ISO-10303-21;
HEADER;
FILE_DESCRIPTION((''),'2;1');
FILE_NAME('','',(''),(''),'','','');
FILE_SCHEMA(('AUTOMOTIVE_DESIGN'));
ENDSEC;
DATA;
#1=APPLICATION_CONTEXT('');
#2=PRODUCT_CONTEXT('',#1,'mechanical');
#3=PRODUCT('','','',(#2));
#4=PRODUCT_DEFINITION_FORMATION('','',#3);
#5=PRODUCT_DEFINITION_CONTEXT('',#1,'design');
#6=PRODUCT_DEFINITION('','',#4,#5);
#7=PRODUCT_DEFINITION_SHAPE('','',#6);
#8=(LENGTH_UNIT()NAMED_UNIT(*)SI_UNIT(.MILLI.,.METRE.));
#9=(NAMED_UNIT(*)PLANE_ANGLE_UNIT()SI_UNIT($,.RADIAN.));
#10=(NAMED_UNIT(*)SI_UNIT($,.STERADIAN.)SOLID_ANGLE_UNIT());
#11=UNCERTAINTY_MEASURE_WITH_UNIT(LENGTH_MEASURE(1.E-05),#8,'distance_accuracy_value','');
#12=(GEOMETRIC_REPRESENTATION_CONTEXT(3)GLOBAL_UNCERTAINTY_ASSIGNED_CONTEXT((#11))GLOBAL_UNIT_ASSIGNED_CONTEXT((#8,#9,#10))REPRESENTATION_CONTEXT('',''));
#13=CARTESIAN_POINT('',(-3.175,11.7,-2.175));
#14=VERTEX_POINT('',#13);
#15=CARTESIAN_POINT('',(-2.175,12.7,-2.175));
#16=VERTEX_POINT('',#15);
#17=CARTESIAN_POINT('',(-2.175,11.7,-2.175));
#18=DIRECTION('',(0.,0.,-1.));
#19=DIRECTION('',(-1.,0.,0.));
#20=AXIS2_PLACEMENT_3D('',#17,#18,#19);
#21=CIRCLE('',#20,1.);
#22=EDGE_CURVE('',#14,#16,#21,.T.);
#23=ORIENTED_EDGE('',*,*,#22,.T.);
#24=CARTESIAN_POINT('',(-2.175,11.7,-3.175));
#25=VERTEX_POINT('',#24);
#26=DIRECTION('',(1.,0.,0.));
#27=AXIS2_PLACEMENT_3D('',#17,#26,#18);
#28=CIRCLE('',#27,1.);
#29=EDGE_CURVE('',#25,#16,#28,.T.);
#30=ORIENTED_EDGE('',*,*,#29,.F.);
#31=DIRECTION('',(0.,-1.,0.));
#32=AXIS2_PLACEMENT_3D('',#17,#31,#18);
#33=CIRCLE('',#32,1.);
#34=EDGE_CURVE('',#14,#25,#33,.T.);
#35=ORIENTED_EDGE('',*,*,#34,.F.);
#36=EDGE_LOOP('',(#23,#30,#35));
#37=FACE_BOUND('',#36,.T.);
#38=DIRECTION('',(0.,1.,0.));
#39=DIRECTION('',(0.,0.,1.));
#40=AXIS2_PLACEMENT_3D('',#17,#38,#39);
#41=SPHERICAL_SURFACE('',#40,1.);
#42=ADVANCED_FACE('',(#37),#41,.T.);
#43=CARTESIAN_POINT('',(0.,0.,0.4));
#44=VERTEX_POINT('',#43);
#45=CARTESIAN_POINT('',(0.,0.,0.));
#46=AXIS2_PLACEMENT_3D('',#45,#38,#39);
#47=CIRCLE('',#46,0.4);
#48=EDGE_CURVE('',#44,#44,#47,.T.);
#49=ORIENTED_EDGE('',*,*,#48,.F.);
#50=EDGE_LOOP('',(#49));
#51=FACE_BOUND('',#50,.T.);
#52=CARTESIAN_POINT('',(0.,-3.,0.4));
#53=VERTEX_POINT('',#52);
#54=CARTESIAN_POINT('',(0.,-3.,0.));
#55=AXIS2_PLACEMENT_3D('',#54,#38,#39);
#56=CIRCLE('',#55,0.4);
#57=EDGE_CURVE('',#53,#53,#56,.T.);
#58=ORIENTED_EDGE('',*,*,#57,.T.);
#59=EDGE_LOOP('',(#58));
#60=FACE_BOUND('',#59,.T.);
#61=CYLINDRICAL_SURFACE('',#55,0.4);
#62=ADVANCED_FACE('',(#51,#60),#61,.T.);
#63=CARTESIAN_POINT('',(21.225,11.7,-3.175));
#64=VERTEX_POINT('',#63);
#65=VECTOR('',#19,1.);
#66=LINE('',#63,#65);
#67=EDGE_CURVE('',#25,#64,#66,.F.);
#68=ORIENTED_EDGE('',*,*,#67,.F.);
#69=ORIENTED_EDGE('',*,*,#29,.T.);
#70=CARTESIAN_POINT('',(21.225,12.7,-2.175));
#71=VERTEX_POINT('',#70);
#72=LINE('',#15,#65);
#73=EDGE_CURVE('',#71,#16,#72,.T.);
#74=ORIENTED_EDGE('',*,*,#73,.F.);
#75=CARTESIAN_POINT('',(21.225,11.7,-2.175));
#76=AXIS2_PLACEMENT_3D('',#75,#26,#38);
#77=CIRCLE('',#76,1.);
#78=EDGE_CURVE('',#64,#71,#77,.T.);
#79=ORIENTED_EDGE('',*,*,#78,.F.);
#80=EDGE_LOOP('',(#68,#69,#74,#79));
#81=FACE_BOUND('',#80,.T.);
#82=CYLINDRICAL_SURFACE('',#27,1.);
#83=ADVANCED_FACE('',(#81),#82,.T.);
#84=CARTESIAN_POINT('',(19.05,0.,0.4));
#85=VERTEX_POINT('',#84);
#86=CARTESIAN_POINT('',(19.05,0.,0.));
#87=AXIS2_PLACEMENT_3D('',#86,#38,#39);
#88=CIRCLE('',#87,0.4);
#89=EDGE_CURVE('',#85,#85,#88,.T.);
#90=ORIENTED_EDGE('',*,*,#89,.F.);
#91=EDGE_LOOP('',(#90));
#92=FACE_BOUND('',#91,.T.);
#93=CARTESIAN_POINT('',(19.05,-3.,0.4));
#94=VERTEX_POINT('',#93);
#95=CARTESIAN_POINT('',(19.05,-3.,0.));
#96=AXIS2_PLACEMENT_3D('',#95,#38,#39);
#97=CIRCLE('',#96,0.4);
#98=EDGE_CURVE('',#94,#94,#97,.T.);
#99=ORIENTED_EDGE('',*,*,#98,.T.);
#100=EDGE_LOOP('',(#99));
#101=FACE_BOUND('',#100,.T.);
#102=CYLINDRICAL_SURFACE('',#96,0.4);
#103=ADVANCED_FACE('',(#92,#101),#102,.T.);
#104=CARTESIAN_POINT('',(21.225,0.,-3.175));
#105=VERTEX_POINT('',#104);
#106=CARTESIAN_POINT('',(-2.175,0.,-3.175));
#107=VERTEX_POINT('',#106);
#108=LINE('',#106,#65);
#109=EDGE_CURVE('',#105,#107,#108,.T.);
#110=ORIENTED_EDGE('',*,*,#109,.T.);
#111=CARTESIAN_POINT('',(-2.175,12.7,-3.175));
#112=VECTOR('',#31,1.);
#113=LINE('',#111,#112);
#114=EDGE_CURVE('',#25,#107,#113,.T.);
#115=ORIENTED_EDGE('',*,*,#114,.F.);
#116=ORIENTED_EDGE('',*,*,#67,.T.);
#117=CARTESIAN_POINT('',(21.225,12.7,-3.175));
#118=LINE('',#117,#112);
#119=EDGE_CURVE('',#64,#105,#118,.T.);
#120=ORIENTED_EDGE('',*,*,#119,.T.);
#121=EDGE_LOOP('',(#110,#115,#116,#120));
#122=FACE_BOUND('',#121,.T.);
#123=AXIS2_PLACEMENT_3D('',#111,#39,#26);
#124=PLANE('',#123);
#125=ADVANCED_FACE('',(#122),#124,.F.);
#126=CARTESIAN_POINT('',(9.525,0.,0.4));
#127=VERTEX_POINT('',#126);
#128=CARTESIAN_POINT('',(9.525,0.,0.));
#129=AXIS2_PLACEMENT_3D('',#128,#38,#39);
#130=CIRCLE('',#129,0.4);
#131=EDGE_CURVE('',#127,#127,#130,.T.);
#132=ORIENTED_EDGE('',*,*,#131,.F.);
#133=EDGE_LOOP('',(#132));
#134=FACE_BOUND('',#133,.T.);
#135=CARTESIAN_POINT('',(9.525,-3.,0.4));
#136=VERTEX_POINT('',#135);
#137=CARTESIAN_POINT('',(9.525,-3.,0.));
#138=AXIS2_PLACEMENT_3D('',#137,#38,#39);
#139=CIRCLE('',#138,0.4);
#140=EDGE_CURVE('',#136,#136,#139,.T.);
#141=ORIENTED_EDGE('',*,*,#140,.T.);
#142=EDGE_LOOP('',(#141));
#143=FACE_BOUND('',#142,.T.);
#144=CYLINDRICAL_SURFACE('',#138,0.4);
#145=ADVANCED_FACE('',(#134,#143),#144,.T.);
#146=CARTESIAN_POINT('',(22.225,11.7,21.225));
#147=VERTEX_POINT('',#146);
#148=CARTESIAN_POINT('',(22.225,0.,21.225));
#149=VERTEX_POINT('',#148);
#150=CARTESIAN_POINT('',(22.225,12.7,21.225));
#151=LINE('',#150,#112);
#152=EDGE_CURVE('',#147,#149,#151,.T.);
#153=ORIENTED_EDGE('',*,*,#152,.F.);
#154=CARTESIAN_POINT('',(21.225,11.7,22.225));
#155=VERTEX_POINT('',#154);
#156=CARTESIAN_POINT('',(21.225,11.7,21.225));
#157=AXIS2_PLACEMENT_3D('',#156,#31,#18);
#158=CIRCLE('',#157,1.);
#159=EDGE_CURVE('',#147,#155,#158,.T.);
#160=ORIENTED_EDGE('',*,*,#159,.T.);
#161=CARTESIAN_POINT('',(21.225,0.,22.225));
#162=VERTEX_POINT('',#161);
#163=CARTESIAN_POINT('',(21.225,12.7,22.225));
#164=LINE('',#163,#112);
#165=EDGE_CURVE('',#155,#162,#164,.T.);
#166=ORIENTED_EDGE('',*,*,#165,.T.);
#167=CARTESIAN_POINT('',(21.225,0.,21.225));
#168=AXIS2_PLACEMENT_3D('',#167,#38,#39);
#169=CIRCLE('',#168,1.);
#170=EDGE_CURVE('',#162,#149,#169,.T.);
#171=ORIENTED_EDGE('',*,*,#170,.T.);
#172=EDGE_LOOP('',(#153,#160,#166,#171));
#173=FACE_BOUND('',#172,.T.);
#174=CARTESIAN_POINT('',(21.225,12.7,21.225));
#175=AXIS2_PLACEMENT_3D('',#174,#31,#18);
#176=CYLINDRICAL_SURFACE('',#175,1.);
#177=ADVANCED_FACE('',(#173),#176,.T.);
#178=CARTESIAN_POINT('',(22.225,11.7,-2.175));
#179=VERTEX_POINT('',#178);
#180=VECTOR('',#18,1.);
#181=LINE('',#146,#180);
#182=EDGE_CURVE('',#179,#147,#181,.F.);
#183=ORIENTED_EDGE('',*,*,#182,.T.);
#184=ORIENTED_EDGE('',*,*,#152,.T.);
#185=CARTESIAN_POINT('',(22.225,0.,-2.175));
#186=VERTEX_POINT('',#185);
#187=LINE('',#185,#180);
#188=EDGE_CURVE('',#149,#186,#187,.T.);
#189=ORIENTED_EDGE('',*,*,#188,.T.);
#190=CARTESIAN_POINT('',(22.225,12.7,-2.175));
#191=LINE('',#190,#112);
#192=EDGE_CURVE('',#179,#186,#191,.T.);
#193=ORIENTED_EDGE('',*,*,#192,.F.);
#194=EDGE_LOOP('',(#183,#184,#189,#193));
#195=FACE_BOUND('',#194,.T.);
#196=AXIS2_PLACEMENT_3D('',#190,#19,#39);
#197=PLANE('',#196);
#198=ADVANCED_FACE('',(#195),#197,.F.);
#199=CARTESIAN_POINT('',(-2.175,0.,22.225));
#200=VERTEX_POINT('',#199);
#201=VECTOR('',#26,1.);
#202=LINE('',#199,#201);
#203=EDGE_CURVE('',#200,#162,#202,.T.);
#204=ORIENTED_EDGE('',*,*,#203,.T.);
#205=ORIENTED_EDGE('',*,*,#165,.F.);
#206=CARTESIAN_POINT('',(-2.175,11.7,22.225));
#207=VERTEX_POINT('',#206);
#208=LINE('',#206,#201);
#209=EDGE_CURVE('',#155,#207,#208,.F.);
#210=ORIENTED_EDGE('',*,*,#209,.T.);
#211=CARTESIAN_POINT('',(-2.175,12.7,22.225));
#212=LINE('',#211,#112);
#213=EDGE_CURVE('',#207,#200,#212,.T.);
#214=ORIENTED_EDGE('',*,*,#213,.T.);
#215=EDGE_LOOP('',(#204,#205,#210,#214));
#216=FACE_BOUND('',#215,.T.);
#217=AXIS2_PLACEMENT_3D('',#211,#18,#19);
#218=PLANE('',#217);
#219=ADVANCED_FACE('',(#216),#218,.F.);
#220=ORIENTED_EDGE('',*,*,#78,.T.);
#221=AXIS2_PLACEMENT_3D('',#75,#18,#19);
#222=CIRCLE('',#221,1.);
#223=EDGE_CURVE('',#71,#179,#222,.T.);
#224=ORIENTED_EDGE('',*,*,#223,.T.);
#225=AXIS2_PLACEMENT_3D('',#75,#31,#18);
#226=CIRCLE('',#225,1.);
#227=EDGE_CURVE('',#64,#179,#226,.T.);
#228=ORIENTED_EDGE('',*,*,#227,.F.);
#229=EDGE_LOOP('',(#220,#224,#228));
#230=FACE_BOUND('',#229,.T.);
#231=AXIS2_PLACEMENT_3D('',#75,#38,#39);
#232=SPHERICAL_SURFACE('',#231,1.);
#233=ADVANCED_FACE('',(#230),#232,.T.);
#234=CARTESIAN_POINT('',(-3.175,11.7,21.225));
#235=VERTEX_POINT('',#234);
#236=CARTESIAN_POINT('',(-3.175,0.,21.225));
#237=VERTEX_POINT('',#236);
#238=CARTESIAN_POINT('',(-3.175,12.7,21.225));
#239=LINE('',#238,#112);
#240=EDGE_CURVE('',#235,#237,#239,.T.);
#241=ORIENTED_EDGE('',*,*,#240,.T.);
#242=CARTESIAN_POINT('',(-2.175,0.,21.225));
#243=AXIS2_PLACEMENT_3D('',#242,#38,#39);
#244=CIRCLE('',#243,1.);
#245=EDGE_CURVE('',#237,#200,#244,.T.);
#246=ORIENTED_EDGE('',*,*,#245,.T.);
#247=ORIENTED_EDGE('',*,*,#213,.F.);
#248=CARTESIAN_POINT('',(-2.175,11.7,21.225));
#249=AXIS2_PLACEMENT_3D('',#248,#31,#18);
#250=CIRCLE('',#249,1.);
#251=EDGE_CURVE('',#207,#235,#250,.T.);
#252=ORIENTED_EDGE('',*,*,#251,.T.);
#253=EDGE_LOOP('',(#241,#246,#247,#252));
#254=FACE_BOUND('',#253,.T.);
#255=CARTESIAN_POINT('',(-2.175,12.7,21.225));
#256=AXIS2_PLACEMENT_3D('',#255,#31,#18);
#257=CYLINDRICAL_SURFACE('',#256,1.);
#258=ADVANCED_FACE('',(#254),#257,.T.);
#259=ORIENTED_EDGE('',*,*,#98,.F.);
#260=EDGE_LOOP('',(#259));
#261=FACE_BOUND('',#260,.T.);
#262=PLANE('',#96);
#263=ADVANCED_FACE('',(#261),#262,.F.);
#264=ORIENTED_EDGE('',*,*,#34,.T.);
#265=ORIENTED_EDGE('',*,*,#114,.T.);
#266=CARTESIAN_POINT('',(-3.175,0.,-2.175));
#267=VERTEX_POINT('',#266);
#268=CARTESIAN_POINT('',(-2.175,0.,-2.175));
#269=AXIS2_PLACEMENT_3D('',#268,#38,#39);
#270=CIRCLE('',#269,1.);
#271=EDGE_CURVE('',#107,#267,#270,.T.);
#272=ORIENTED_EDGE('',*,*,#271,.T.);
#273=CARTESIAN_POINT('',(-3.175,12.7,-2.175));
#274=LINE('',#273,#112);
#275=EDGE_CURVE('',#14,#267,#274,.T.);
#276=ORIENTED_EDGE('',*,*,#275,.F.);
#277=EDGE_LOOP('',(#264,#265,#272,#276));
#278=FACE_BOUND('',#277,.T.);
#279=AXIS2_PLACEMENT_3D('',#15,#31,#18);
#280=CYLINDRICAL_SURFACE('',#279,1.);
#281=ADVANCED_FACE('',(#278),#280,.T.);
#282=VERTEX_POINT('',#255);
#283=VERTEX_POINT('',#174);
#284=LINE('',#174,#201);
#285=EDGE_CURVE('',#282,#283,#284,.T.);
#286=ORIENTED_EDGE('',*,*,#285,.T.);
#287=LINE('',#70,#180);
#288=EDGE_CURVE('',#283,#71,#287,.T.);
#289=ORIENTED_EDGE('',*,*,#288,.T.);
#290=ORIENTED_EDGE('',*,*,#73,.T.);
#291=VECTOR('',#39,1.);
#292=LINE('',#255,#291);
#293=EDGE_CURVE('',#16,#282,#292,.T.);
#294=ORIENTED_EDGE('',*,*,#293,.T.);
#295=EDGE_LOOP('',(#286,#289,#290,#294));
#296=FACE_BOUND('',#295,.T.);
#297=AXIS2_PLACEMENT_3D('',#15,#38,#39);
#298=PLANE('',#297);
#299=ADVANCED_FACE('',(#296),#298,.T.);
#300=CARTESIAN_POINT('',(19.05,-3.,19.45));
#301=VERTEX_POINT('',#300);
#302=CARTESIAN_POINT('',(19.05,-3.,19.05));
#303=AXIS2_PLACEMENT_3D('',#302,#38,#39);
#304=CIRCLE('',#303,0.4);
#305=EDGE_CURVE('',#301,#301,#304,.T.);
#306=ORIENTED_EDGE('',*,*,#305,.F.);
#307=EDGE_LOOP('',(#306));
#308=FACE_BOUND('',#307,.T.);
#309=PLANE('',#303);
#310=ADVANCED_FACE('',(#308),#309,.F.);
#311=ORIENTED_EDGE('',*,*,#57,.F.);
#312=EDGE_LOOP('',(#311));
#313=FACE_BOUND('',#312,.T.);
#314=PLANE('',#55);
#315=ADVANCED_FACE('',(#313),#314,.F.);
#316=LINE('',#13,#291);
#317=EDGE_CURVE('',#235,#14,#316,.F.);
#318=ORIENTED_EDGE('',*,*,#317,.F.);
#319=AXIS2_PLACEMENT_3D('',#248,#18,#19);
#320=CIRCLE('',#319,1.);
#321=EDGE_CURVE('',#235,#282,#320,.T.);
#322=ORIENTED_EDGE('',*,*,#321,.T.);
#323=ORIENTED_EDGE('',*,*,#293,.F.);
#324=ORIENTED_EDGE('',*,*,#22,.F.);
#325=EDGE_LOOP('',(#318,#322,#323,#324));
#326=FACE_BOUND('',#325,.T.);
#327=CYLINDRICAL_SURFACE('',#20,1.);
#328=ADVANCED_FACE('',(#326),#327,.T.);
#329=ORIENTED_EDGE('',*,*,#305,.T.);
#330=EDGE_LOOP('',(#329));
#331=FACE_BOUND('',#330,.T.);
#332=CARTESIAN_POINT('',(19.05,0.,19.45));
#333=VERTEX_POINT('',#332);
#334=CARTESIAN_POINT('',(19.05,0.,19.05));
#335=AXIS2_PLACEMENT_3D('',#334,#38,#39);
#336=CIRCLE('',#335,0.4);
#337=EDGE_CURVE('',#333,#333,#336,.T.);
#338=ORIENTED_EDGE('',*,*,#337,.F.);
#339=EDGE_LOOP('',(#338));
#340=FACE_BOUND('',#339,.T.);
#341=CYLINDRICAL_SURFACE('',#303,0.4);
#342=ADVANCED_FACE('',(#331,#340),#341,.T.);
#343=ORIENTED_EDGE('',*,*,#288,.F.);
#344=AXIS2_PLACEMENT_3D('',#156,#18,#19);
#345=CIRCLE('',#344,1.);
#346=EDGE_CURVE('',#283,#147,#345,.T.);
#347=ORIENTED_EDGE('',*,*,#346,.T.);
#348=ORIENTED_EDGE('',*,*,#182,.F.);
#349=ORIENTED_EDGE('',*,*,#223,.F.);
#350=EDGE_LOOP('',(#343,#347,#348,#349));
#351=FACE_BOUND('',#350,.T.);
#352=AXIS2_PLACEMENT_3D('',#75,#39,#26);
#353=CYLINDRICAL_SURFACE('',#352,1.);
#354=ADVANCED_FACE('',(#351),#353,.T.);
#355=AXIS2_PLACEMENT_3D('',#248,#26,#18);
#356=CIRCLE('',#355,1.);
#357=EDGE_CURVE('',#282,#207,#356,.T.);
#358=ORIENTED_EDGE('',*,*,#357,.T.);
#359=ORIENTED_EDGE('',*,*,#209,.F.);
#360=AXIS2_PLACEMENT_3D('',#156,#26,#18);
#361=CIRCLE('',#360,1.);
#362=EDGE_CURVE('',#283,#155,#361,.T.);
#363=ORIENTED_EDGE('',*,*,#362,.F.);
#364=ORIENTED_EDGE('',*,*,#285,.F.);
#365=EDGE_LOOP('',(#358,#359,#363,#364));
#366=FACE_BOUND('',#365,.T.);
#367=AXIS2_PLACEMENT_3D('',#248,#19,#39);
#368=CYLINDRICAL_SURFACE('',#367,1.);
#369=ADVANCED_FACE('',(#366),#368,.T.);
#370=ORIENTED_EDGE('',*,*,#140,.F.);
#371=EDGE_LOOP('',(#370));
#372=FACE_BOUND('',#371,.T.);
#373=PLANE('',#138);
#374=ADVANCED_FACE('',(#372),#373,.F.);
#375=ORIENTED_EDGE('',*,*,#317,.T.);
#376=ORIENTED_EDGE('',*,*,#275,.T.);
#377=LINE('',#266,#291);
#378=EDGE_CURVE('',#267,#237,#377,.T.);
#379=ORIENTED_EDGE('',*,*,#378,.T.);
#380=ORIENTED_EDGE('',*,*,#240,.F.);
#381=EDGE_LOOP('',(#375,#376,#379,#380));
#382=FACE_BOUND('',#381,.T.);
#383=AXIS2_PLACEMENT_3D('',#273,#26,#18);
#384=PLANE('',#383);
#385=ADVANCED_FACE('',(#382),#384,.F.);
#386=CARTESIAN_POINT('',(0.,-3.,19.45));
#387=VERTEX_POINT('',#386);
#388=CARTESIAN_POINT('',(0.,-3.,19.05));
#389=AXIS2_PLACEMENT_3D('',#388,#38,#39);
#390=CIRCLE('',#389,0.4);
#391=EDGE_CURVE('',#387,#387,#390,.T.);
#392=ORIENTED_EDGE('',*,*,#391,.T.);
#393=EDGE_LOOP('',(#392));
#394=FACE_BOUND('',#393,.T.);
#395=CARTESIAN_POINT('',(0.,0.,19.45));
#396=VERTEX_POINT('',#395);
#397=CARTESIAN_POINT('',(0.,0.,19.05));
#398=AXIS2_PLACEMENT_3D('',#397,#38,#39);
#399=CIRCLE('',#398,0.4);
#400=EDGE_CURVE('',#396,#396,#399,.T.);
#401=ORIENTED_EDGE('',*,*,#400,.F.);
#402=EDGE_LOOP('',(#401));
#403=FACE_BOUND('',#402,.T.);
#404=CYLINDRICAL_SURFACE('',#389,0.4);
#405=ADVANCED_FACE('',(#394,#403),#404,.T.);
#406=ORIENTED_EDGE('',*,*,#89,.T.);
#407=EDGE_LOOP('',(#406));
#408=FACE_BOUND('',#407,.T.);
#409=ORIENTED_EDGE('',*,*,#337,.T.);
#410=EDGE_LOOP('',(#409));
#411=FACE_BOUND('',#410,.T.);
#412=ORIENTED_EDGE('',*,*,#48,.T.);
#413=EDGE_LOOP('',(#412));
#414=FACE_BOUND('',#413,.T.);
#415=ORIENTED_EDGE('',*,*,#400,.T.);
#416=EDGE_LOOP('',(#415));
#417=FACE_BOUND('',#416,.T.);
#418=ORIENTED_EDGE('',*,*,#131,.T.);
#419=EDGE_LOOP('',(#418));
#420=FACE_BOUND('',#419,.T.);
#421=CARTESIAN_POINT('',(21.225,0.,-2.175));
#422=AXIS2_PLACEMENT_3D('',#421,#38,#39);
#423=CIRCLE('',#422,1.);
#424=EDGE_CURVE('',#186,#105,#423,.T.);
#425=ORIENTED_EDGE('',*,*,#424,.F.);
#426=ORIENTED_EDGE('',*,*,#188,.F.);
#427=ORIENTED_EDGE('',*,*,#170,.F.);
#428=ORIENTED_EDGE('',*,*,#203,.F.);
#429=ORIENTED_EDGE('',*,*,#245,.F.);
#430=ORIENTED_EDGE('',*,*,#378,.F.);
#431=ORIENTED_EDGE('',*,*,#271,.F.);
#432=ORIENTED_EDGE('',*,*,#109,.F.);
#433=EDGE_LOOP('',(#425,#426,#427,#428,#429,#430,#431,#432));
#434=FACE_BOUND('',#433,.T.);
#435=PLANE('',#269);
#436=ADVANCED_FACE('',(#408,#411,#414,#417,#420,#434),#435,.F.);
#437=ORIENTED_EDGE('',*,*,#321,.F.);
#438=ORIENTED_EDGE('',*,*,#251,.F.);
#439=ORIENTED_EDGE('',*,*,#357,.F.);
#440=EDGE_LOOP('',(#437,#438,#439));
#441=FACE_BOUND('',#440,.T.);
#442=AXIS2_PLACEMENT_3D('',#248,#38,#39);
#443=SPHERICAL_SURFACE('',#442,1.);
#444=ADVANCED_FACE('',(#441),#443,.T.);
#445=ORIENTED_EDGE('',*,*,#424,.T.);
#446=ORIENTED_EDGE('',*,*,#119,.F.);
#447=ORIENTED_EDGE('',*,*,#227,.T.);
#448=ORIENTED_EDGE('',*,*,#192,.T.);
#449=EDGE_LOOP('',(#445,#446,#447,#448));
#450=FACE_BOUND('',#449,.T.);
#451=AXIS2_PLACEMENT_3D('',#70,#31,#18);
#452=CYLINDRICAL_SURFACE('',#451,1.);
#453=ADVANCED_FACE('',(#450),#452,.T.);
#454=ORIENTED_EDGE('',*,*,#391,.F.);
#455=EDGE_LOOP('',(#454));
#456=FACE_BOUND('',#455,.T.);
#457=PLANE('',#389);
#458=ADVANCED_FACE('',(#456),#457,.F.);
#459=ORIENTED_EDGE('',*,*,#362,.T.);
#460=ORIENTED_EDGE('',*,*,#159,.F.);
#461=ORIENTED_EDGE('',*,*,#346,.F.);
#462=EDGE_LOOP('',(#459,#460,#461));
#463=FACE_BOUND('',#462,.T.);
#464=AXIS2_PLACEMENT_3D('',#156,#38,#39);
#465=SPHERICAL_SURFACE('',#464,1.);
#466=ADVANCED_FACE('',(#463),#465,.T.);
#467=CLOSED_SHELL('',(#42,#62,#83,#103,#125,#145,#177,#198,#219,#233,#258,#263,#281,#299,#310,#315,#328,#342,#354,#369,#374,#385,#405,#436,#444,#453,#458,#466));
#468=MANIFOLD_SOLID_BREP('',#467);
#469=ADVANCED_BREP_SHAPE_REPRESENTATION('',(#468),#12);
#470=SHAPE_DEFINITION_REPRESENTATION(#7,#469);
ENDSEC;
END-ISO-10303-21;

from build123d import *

# Parameters (mm, degrees)
SKETCH_2_R        = 0.4
EXTRUDE_1_DEPTH   = 3
EXTRUDE_1_2_DEPTH = 3
EXTRUDE_1_3_DEPTH = 3
EXTRUDE_1_4_DEPTH = 3
EXTRUDE_1_5_DEPTH = 3
EXTRUDE_2_DEPTH   = 12.7
FILLET_1_R        = 1


with BuildPart() as part:
    # Эскиз2 → Бобышка-Вытянуть1 (new body)
    with BuildSketch(Plane(origin=(0, 0, 0), x_dir=(1, 0, 0), z_dir=(0, 1, 0))):
        with Locations(Location((0, 0, 0), (0, 0, 270))):
            Circle(SKETCH_2_R)
    extrude(amount=-EXTRUDE_1_DEPTH)



with BuildPart() as body_2:
    # Эскиз2 → Extrude 1 2 (new body)
    with BuildSketch(Plane(origin=(0, 0, 0), x_dir=(1, 0, 0), z_dir=(0, 1, 0))):
        with Locations(Location((9.525, 0, 0), (0, 0, 270))):
            Circle(SKETCH_2_R)
    extrude(amount=-EXTRUDE_1_2_DEPTH)


with BuildPart() as body_3:
    # Эскиз2 → Extrude 1 3 (new body)
    with BuildSketch(Plane(origin=(0, 0, 0), x_dir=(1, 0, 0), z_dir=(0, 1, 0))):
        with Locations(Location((0, -19.05, 0), (0, 0, 270))):
            Circle(SKETCH_2_R)
    extrude(amount=-EXTRUDE_1_3_DEPTH)


with BuildPart() as body_4:
    # Эскиз2 → Extrude 1 4 (new body)
    with BuildSketch(Plane(origin=(0, 0, 0), x_dir=(1, 0, 0), z_dir=(0, 1, 0))):
        with Locations(Location((19.05, -19.05, 0), (0, 0, 270))):
            Circle(SKETCH_2_R)
    extrude(amount=-EXTRUDE_1_4_DEPTH)


with BuildPart() as body_5:
    # Эскиз2 → Extrude 1 5 (new body)
    with BuildSketch(Plane(origin=(0, 0, 0), x_dir=(1, 0, 0), z_dir=(0, 1, 0))):
        with Locations(Location((19.05, 0, 0), (0, 0, 270))):
            Circle(SKETCH_2_R)
    extrude(amount=-EXTRUDE_1_5_DEPTH)


with BuildPart() as part_1:
    add(part.part)

    add(body_2.part)  # Бобышка-Вытянуть2 merges body 2

    add(body_3.part)  # Бобышка-Вытянуть2 merges body 3

    add(body_4.part)  # Бобышка-Вытянуть2 merges body 4

    add(body_5.part)  # Бобышка-Вытянуть2 merges body 5
    # Эскиз3 → Бобышка-Вытянуть2 (add)
    with BuildSketch(Plane(origin=(0, 0, 0), x_dir=(1, 0, 0), z_dir=(0, 1, 0))):
        with BuildLine():
            Line((-2.175, 3.175), (21.225, 3.175))
            ThreePointArc((21.225, 3.175), (21.932106781, 2.882106781), (22.225, 2.175))
            Line((22.225, 2.175), (22.225, -21.225))
            ThreePointArc((22.225, -21.225), (21.932106781, -21.932106781), (21.225, -22.225))
            Line((21.225, -22.225), (-2.175, -22.225))
            ThreePointArc((-2.175, -22.225), (-2.882106781, -21.932106781), (-3.175, -21.225))
            Line((-3.175, -21.225), (-3.175, 2.175))
            ThreePointArc((-3.175, 2.175), (-2.882106781, 2.882106781), (-2.175, 3.175))
        make_face()
    extrude(amount=EXTRUDE_2_DEPTH)

    # Скругление1
    fillet_1_edges = [part_1.edges().sort_by_distance(p)[0] for p in [
        (22.225, 12.7, 9.525),
        (21.932106781, 12.7, -2.882106781),
        (9.525, 12.7, -3.175),
        (-2.882106781, 12.7, -2.882106781),
        (-3.175, 12.7, 9.525),
        (-2.882106781, 12.7, 21.932106781),
        (9.525, 12.7, 22.225),
        (21.932106781, 12.7, 21.932106781),
    ]]
    fillet(fillet_1_edges, radius=FILLET_1_R)


solid = part_1.part
